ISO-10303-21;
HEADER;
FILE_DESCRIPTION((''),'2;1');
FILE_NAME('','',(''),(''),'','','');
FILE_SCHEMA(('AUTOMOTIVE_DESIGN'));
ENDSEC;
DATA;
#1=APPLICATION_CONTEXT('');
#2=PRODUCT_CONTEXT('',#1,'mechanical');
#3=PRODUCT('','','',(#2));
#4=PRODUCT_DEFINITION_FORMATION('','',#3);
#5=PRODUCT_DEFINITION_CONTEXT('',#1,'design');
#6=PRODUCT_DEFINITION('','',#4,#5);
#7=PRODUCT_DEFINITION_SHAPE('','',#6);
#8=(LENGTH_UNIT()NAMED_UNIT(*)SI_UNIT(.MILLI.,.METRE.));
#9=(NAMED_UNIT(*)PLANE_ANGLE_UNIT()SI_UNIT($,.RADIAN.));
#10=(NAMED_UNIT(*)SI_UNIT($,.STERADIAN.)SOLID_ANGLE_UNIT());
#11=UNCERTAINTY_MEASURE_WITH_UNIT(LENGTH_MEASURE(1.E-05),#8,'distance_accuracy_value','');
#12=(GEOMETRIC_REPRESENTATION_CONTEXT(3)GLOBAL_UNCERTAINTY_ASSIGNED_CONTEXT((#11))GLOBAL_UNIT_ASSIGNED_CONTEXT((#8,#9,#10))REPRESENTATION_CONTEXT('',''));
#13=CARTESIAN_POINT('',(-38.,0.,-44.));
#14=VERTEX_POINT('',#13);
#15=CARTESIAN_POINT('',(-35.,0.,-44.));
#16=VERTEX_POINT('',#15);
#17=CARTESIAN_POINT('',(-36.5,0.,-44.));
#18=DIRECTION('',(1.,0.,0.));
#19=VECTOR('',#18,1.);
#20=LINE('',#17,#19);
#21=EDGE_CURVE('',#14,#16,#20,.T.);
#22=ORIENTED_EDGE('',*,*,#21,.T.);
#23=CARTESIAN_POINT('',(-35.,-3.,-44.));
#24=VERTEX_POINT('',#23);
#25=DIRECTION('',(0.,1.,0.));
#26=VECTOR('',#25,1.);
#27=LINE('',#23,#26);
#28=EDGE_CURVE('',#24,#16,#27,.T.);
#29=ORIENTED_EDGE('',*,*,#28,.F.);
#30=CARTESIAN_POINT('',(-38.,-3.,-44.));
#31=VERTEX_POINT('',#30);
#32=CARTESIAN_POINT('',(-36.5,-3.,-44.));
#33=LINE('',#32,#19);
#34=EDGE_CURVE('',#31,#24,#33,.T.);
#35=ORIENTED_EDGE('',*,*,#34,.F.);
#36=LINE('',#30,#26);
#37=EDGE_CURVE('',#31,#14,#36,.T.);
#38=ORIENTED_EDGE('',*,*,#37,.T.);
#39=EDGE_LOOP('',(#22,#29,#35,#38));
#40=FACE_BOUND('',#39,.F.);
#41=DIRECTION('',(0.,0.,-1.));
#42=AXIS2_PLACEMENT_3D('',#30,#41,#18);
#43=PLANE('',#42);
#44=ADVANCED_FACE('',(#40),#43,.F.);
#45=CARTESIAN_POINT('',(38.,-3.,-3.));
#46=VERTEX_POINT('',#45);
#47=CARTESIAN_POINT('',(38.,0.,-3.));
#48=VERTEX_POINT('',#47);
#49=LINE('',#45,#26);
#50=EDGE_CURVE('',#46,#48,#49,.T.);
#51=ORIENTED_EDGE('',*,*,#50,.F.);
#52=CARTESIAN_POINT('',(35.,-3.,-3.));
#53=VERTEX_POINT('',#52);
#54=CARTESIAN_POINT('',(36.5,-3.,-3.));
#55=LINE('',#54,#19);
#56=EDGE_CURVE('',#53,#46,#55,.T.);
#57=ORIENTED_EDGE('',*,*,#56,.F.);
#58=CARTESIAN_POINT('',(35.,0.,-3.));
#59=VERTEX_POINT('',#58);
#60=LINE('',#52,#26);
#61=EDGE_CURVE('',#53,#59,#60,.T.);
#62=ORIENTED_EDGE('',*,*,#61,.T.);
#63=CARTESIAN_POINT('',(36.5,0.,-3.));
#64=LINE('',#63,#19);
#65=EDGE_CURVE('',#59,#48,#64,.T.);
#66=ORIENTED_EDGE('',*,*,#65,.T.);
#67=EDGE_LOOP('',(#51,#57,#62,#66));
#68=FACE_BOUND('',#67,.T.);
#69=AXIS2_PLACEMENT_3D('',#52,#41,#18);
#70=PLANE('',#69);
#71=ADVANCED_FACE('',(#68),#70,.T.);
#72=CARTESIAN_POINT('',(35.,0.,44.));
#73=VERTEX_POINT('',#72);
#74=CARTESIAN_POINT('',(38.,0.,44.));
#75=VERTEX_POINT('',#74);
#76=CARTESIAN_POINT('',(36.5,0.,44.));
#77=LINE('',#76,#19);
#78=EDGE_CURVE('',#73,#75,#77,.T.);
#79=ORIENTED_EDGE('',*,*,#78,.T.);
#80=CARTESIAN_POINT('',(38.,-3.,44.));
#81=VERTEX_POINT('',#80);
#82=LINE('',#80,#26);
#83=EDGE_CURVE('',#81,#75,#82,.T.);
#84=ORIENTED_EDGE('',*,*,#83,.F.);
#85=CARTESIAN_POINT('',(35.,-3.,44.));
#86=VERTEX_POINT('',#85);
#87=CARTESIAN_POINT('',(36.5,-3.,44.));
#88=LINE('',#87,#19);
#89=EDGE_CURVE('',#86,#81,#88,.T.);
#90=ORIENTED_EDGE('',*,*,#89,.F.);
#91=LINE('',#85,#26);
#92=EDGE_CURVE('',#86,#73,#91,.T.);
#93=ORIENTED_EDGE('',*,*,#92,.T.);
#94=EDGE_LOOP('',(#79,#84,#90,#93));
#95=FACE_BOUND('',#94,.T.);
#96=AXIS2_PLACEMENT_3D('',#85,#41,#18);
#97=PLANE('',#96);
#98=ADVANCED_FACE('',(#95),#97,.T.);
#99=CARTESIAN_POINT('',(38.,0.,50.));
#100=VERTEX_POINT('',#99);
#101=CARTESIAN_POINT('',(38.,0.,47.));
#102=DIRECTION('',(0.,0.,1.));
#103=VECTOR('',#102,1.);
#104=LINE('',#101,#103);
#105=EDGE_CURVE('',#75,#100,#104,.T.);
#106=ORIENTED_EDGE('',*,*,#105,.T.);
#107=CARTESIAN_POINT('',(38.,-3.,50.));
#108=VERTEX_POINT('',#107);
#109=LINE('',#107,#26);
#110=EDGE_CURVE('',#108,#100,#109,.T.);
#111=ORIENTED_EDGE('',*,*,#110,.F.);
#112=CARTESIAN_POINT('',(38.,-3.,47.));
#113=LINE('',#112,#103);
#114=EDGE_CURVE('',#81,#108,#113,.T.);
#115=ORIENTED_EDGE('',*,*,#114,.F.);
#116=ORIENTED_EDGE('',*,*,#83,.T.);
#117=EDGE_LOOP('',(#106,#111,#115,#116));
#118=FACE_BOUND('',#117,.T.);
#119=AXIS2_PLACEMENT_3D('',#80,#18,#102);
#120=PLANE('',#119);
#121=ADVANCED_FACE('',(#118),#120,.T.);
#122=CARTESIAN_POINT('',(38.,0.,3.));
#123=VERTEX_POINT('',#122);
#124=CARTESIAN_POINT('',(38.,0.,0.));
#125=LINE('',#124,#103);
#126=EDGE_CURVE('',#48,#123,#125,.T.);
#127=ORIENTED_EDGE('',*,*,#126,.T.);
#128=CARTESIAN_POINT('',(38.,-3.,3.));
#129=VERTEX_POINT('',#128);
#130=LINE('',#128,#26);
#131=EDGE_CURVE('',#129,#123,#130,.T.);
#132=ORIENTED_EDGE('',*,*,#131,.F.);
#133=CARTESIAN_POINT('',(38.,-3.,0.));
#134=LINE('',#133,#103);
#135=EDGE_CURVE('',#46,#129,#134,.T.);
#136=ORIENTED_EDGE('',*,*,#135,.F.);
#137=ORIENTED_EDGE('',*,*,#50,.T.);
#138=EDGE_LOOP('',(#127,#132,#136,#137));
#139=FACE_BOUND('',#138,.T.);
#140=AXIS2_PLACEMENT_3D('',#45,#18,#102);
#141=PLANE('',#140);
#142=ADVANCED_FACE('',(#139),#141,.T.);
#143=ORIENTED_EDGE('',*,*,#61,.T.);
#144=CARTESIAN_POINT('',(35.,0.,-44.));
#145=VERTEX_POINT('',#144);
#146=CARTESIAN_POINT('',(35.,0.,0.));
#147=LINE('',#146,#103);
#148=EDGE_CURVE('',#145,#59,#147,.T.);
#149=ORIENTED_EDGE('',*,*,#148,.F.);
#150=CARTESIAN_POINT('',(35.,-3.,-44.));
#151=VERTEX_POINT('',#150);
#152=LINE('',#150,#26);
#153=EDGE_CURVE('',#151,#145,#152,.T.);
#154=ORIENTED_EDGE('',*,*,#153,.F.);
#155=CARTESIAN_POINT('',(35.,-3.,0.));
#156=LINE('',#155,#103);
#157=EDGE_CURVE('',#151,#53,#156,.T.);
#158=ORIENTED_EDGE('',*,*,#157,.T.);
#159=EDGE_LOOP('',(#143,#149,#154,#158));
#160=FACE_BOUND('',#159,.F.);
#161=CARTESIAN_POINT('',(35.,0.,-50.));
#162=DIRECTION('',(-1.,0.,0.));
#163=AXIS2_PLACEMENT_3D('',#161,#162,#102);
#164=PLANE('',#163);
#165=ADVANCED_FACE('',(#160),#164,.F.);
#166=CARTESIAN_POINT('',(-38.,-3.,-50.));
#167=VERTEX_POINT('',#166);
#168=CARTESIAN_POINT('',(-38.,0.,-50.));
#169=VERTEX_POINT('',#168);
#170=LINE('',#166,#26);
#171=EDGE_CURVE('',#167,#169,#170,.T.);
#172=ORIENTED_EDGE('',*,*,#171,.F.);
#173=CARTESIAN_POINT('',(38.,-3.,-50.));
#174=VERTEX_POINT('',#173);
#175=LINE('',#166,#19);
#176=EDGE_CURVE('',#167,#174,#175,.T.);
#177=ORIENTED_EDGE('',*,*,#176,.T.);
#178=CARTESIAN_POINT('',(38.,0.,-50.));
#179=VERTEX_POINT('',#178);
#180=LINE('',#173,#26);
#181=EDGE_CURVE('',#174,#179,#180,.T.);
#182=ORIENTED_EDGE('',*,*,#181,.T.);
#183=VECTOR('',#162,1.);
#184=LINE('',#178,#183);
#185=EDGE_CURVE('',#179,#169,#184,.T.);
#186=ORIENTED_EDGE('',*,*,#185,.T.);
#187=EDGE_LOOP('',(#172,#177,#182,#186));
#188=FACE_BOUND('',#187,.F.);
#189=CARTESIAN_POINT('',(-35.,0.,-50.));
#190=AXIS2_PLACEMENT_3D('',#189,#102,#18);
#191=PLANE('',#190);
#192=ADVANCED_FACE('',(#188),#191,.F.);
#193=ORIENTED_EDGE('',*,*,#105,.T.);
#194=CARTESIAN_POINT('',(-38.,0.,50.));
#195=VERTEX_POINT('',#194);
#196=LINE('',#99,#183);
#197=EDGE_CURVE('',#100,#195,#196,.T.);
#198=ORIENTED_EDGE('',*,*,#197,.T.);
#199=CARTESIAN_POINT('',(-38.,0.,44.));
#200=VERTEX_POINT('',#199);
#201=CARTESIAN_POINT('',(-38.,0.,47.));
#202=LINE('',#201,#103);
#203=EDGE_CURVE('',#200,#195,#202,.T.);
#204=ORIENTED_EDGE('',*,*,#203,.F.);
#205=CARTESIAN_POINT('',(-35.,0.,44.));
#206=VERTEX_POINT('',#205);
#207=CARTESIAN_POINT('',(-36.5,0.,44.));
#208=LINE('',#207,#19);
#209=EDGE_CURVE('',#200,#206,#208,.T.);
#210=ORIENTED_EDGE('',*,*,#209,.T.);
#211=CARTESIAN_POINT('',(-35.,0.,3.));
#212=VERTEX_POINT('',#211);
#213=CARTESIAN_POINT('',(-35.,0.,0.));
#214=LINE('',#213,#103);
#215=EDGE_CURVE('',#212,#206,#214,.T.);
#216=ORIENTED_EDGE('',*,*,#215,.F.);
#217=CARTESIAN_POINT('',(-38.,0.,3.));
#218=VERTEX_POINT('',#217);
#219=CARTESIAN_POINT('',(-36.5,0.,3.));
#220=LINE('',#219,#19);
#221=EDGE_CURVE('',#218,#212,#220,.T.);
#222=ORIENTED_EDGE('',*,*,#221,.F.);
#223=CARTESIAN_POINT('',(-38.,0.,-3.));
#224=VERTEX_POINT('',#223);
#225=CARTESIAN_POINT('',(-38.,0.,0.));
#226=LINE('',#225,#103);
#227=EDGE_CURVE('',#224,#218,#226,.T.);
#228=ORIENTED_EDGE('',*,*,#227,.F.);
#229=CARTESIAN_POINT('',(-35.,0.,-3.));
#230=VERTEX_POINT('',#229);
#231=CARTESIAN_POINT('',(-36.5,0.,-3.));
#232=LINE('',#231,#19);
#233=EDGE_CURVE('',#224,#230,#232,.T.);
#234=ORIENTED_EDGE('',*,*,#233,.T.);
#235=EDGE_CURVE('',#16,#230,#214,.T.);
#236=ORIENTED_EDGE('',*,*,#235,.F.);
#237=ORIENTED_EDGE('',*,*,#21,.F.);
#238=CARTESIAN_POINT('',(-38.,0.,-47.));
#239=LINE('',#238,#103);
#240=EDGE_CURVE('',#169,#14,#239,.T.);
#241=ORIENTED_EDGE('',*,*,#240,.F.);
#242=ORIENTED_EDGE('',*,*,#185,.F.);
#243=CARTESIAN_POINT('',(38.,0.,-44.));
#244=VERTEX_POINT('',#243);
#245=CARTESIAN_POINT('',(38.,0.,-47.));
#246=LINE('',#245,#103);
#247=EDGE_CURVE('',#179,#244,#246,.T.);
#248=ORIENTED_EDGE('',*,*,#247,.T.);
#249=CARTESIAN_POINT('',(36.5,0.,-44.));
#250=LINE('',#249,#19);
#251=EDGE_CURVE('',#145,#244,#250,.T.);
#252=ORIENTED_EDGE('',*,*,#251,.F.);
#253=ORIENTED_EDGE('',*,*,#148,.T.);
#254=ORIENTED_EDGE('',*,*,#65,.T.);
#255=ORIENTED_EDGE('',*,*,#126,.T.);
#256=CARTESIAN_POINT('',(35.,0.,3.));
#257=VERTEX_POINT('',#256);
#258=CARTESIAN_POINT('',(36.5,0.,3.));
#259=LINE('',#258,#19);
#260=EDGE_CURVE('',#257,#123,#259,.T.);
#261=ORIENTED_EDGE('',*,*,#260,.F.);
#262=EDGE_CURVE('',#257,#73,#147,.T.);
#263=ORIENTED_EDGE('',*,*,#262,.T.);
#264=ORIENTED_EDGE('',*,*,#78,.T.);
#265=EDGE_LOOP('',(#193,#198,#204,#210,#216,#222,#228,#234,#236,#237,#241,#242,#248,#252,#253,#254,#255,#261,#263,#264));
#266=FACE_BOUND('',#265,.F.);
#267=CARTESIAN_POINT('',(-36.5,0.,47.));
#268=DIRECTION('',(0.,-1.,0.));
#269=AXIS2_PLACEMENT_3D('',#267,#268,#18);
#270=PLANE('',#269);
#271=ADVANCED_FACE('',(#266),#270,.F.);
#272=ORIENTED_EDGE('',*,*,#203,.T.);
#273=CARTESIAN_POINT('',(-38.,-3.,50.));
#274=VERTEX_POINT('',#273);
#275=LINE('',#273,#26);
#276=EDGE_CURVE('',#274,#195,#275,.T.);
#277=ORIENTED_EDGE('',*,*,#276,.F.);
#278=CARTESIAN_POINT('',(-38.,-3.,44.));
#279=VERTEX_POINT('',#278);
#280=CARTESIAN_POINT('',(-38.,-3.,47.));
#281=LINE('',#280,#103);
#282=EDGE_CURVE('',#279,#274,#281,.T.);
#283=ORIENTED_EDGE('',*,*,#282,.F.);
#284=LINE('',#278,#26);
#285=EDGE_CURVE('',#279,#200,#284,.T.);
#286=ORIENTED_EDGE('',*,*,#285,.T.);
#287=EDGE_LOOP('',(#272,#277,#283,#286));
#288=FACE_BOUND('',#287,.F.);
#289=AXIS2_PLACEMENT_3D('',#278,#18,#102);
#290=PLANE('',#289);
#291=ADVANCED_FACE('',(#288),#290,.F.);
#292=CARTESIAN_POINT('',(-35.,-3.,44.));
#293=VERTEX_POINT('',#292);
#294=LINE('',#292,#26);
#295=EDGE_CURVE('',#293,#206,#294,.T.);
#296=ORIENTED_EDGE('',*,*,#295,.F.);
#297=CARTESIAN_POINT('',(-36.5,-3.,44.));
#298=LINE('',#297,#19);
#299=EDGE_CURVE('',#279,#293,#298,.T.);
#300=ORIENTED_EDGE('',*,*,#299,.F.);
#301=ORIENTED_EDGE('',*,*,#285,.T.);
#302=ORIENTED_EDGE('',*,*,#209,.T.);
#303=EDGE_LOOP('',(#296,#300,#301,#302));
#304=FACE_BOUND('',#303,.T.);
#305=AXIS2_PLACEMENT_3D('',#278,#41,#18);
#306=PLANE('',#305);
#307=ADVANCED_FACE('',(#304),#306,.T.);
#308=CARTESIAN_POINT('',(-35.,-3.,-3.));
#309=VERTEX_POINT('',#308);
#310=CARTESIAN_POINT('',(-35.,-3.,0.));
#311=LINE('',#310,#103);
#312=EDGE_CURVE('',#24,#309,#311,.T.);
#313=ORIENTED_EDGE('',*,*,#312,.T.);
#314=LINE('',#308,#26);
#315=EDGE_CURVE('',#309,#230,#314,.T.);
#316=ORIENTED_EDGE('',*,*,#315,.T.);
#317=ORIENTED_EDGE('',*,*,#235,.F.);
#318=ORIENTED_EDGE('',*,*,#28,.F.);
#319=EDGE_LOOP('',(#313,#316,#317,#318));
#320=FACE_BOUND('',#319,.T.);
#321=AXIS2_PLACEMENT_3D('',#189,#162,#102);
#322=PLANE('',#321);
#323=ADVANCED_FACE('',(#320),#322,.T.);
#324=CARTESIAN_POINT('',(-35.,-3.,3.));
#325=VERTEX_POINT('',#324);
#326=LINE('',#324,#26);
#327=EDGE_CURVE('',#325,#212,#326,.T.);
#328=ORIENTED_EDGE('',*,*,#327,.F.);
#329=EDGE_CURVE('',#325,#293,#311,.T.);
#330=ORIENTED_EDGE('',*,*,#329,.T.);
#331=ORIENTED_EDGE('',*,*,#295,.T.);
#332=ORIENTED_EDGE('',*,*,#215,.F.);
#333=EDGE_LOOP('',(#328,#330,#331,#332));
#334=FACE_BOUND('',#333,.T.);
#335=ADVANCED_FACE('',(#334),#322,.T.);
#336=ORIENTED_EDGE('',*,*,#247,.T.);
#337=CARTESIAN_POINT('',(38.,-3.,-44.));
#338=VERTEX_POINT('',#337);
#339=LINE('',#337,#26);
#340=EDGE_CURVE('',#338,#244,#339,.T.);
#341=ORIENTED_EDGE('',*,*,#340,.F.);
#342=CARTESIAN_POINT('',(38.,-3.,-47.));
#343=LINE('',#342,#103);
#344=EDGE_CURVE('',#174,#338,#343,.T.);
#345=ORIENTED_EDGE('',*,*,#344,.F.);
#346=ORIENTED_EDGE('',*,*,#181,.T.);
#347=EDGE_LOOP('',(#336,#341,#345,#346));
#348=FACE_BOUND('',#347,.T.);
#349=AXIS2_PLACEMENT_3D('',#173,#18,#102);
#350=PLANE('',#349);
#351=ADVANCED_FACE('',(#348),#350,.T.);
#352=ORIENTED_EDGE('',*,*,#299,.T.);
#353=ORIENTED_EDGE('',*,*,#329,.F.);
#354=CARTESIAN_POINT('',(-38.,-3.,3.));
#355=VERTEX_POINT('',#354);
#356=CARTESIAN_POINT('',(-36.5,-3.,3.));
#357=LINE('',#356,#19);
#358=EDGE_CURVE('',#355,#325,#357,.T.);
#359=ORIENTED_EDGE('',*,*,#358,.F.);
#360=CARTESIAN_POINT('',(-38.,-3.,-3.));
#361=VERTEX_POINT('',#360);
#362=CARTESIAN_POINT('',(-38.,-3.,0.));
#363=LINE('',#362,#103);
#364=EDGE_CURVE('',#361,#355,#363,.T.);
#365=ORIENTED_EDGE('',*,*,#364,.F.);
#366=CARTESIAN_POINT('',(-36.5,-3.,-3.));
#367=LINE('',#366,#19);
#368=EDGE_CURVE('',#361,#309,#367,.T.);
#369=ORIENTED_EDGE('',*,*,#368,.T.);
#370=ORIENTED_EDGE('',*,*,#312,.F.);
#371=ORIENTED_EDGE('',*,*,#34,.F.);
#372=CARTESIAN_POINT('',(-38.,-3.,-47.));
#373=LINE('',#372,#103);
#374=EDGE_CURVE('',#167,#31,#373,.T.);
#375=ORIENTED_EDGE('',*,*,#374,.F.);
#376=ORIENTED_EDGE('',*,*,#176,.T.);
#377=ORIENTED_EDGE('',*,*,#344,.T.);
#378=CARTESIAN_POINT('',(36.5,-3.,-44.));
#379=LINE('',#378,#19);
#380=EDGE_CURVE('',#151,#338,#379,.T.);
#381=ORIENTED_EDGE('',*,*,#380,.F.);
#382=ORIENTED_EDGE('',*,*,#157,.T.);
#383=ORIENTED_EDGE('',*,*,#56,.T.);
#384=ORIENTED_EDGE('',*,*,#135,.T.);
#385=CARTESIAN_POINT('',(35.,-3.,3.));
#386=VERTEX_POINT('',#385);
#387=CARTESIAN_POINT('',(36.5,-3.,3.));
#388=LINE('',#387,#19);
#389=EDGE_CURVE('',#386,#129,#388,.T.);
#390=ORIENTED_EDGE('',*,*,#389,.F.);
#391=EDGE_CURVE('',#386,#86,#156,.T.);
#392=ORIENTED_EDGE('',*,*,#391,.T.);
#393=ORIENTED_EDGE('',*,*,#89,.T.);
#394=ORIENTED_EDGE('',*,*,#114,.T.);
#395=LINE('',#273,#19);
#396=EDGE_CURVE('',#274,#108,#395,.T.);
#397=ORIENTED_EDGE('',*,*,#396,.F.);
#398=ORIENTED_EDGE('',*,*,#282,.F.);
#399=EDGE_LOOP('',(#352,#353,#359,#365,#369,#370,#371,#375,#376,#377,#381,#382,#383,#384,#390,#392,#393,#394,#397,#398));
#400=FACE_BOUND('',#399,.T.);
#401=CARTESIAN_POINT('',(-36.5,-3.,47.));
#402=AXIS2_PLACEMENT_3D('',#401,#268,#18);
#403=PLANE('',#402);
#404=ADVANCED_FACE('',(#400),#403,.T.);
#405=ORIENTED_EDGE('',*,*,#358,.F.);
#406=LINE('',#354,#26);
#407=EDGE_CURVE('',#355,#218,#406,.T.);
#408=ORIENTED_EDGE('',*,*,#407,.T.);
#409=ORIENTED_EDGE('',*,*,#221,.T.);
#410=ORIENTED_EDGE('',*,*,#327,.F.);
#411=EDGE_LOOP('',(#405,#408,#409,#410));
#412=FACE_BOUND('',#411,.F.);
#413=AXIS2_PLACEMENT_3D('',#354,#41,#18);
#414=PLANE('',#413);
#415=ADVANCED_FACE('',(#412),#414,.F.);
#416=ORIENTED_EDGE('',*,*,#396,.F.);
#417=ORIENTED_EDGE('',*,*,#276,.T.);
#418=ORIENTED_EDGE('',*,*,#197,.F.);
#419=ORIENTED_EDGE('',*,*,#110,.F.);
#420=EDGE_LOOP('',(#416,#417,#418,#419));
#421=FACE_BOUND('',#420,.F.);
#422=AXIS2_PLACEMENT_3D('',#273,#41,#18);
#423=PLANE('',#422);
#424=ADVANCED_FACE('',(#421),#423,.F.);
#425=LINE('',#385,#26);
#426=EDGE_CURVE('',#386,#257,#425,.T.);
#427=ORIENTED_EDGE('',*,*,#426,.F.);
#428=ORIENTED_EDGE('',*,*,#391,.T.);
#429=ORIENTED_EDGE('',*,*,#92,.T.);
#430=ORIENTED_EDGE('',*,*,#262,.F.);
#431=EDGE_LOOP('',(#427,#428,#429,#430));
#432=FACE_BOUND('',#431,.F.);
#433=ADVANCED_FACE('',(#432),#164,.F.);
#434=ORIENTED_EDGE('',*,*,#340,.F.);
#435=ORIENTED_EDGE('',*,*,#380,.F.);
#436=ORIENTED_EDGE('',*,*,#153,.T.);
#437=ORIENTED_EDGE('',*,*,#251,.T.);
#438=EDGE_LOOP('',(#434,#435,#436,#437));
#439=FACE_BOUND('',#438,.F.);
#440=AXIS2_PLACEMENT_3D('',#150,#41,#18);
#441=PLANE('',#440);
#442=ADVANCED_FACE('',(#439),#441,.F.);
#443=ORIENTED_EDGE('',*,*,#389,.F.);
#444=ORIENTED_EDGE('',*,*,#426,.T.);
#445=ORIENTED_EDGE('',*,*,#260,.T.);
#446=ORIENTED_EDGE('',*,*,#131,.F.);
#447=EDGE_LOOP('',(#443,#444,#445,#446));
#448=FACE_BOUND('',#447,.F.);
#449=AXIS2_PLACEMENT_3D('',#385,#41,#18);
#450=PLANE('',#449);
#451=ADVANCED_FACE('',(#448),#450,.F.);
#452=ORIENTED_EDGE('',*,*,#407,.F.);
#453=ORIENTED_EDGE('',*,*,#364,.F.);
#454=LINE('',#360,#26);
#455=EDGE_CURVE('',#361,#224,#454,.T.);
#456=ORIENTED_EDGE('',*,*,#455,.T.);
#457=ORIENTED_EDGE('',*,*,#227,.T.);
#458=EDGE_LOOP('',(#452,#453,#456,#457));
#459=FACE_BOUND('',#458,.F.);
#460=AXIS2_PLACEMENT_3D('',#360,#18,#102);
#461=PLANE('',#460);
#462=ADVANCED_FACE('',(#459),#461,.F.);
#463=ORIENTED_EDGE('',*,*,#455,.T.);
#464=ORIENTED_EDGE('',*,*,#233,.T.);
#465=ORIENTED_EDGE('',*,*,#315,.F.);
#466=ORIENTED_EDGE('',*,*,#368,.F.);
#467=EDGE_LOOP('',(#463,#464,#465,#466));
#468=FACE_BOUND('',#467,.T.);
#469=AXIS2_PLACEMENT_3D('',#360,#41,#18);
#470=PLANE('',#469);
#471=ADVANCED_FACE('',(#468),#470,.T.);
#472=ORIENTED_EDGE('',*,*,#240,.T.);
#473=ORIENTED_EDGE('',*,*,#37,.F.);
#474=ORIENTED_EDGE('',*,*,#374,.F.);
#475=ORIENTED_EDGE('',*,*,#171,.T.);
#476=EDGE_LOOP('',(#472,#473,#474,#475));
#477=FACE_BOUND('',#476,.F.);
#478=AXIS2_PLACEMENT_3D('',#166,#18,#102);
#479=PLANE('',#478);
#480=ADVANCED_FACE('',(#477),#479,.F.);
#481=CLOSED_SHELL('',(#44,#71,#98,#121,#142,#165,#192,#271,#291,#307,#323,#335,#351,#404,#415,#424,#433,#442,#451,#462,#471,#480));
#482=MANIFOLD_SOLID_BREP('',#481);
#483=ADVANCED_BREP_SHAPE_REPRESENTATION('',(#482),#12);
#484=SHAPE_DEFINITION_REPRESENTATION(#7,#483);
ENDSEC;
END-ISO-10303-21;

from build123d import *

# Parameters (mm, degrees)
F0_W     = 70
F0_H     = 100
F1_DEPTH = 3
F2_W     = 3
F2_H     = 6
F3_DEPTH = 3


with BuildPart() as f1:
    # F0 (on Front) → F1 (new body)
    with BuildSketch(Plane.XZ):
        Rectangle(F0_W, F0_H)
    extrude(amount=F1_DEPTH)

    # F2 (on face) → F3 (join)
    with BuildSketch(Plane.XZ.offset(3)):
        with Locations((-36.5, 47)):
            Rectangle(F2_W, F2_H)
        with Locations((-36.5, -47)):
            Rectangle(F2_W, F2_H)
        with Locations((-36.5, 0)):
            Rectangle(F2_W, F2_H)
        with Locations((36.5, 0)):
            Rectangle(F2_W, F2_H)
        with Locations((36.5, -47)):
            Rectangle(F2_W, F2_H)
        with Locations((36.5, 47)):
            Rectangle(F2_W, F2_H)
    extrude(amount=-F3_DEPTH)


solid = f1.part
